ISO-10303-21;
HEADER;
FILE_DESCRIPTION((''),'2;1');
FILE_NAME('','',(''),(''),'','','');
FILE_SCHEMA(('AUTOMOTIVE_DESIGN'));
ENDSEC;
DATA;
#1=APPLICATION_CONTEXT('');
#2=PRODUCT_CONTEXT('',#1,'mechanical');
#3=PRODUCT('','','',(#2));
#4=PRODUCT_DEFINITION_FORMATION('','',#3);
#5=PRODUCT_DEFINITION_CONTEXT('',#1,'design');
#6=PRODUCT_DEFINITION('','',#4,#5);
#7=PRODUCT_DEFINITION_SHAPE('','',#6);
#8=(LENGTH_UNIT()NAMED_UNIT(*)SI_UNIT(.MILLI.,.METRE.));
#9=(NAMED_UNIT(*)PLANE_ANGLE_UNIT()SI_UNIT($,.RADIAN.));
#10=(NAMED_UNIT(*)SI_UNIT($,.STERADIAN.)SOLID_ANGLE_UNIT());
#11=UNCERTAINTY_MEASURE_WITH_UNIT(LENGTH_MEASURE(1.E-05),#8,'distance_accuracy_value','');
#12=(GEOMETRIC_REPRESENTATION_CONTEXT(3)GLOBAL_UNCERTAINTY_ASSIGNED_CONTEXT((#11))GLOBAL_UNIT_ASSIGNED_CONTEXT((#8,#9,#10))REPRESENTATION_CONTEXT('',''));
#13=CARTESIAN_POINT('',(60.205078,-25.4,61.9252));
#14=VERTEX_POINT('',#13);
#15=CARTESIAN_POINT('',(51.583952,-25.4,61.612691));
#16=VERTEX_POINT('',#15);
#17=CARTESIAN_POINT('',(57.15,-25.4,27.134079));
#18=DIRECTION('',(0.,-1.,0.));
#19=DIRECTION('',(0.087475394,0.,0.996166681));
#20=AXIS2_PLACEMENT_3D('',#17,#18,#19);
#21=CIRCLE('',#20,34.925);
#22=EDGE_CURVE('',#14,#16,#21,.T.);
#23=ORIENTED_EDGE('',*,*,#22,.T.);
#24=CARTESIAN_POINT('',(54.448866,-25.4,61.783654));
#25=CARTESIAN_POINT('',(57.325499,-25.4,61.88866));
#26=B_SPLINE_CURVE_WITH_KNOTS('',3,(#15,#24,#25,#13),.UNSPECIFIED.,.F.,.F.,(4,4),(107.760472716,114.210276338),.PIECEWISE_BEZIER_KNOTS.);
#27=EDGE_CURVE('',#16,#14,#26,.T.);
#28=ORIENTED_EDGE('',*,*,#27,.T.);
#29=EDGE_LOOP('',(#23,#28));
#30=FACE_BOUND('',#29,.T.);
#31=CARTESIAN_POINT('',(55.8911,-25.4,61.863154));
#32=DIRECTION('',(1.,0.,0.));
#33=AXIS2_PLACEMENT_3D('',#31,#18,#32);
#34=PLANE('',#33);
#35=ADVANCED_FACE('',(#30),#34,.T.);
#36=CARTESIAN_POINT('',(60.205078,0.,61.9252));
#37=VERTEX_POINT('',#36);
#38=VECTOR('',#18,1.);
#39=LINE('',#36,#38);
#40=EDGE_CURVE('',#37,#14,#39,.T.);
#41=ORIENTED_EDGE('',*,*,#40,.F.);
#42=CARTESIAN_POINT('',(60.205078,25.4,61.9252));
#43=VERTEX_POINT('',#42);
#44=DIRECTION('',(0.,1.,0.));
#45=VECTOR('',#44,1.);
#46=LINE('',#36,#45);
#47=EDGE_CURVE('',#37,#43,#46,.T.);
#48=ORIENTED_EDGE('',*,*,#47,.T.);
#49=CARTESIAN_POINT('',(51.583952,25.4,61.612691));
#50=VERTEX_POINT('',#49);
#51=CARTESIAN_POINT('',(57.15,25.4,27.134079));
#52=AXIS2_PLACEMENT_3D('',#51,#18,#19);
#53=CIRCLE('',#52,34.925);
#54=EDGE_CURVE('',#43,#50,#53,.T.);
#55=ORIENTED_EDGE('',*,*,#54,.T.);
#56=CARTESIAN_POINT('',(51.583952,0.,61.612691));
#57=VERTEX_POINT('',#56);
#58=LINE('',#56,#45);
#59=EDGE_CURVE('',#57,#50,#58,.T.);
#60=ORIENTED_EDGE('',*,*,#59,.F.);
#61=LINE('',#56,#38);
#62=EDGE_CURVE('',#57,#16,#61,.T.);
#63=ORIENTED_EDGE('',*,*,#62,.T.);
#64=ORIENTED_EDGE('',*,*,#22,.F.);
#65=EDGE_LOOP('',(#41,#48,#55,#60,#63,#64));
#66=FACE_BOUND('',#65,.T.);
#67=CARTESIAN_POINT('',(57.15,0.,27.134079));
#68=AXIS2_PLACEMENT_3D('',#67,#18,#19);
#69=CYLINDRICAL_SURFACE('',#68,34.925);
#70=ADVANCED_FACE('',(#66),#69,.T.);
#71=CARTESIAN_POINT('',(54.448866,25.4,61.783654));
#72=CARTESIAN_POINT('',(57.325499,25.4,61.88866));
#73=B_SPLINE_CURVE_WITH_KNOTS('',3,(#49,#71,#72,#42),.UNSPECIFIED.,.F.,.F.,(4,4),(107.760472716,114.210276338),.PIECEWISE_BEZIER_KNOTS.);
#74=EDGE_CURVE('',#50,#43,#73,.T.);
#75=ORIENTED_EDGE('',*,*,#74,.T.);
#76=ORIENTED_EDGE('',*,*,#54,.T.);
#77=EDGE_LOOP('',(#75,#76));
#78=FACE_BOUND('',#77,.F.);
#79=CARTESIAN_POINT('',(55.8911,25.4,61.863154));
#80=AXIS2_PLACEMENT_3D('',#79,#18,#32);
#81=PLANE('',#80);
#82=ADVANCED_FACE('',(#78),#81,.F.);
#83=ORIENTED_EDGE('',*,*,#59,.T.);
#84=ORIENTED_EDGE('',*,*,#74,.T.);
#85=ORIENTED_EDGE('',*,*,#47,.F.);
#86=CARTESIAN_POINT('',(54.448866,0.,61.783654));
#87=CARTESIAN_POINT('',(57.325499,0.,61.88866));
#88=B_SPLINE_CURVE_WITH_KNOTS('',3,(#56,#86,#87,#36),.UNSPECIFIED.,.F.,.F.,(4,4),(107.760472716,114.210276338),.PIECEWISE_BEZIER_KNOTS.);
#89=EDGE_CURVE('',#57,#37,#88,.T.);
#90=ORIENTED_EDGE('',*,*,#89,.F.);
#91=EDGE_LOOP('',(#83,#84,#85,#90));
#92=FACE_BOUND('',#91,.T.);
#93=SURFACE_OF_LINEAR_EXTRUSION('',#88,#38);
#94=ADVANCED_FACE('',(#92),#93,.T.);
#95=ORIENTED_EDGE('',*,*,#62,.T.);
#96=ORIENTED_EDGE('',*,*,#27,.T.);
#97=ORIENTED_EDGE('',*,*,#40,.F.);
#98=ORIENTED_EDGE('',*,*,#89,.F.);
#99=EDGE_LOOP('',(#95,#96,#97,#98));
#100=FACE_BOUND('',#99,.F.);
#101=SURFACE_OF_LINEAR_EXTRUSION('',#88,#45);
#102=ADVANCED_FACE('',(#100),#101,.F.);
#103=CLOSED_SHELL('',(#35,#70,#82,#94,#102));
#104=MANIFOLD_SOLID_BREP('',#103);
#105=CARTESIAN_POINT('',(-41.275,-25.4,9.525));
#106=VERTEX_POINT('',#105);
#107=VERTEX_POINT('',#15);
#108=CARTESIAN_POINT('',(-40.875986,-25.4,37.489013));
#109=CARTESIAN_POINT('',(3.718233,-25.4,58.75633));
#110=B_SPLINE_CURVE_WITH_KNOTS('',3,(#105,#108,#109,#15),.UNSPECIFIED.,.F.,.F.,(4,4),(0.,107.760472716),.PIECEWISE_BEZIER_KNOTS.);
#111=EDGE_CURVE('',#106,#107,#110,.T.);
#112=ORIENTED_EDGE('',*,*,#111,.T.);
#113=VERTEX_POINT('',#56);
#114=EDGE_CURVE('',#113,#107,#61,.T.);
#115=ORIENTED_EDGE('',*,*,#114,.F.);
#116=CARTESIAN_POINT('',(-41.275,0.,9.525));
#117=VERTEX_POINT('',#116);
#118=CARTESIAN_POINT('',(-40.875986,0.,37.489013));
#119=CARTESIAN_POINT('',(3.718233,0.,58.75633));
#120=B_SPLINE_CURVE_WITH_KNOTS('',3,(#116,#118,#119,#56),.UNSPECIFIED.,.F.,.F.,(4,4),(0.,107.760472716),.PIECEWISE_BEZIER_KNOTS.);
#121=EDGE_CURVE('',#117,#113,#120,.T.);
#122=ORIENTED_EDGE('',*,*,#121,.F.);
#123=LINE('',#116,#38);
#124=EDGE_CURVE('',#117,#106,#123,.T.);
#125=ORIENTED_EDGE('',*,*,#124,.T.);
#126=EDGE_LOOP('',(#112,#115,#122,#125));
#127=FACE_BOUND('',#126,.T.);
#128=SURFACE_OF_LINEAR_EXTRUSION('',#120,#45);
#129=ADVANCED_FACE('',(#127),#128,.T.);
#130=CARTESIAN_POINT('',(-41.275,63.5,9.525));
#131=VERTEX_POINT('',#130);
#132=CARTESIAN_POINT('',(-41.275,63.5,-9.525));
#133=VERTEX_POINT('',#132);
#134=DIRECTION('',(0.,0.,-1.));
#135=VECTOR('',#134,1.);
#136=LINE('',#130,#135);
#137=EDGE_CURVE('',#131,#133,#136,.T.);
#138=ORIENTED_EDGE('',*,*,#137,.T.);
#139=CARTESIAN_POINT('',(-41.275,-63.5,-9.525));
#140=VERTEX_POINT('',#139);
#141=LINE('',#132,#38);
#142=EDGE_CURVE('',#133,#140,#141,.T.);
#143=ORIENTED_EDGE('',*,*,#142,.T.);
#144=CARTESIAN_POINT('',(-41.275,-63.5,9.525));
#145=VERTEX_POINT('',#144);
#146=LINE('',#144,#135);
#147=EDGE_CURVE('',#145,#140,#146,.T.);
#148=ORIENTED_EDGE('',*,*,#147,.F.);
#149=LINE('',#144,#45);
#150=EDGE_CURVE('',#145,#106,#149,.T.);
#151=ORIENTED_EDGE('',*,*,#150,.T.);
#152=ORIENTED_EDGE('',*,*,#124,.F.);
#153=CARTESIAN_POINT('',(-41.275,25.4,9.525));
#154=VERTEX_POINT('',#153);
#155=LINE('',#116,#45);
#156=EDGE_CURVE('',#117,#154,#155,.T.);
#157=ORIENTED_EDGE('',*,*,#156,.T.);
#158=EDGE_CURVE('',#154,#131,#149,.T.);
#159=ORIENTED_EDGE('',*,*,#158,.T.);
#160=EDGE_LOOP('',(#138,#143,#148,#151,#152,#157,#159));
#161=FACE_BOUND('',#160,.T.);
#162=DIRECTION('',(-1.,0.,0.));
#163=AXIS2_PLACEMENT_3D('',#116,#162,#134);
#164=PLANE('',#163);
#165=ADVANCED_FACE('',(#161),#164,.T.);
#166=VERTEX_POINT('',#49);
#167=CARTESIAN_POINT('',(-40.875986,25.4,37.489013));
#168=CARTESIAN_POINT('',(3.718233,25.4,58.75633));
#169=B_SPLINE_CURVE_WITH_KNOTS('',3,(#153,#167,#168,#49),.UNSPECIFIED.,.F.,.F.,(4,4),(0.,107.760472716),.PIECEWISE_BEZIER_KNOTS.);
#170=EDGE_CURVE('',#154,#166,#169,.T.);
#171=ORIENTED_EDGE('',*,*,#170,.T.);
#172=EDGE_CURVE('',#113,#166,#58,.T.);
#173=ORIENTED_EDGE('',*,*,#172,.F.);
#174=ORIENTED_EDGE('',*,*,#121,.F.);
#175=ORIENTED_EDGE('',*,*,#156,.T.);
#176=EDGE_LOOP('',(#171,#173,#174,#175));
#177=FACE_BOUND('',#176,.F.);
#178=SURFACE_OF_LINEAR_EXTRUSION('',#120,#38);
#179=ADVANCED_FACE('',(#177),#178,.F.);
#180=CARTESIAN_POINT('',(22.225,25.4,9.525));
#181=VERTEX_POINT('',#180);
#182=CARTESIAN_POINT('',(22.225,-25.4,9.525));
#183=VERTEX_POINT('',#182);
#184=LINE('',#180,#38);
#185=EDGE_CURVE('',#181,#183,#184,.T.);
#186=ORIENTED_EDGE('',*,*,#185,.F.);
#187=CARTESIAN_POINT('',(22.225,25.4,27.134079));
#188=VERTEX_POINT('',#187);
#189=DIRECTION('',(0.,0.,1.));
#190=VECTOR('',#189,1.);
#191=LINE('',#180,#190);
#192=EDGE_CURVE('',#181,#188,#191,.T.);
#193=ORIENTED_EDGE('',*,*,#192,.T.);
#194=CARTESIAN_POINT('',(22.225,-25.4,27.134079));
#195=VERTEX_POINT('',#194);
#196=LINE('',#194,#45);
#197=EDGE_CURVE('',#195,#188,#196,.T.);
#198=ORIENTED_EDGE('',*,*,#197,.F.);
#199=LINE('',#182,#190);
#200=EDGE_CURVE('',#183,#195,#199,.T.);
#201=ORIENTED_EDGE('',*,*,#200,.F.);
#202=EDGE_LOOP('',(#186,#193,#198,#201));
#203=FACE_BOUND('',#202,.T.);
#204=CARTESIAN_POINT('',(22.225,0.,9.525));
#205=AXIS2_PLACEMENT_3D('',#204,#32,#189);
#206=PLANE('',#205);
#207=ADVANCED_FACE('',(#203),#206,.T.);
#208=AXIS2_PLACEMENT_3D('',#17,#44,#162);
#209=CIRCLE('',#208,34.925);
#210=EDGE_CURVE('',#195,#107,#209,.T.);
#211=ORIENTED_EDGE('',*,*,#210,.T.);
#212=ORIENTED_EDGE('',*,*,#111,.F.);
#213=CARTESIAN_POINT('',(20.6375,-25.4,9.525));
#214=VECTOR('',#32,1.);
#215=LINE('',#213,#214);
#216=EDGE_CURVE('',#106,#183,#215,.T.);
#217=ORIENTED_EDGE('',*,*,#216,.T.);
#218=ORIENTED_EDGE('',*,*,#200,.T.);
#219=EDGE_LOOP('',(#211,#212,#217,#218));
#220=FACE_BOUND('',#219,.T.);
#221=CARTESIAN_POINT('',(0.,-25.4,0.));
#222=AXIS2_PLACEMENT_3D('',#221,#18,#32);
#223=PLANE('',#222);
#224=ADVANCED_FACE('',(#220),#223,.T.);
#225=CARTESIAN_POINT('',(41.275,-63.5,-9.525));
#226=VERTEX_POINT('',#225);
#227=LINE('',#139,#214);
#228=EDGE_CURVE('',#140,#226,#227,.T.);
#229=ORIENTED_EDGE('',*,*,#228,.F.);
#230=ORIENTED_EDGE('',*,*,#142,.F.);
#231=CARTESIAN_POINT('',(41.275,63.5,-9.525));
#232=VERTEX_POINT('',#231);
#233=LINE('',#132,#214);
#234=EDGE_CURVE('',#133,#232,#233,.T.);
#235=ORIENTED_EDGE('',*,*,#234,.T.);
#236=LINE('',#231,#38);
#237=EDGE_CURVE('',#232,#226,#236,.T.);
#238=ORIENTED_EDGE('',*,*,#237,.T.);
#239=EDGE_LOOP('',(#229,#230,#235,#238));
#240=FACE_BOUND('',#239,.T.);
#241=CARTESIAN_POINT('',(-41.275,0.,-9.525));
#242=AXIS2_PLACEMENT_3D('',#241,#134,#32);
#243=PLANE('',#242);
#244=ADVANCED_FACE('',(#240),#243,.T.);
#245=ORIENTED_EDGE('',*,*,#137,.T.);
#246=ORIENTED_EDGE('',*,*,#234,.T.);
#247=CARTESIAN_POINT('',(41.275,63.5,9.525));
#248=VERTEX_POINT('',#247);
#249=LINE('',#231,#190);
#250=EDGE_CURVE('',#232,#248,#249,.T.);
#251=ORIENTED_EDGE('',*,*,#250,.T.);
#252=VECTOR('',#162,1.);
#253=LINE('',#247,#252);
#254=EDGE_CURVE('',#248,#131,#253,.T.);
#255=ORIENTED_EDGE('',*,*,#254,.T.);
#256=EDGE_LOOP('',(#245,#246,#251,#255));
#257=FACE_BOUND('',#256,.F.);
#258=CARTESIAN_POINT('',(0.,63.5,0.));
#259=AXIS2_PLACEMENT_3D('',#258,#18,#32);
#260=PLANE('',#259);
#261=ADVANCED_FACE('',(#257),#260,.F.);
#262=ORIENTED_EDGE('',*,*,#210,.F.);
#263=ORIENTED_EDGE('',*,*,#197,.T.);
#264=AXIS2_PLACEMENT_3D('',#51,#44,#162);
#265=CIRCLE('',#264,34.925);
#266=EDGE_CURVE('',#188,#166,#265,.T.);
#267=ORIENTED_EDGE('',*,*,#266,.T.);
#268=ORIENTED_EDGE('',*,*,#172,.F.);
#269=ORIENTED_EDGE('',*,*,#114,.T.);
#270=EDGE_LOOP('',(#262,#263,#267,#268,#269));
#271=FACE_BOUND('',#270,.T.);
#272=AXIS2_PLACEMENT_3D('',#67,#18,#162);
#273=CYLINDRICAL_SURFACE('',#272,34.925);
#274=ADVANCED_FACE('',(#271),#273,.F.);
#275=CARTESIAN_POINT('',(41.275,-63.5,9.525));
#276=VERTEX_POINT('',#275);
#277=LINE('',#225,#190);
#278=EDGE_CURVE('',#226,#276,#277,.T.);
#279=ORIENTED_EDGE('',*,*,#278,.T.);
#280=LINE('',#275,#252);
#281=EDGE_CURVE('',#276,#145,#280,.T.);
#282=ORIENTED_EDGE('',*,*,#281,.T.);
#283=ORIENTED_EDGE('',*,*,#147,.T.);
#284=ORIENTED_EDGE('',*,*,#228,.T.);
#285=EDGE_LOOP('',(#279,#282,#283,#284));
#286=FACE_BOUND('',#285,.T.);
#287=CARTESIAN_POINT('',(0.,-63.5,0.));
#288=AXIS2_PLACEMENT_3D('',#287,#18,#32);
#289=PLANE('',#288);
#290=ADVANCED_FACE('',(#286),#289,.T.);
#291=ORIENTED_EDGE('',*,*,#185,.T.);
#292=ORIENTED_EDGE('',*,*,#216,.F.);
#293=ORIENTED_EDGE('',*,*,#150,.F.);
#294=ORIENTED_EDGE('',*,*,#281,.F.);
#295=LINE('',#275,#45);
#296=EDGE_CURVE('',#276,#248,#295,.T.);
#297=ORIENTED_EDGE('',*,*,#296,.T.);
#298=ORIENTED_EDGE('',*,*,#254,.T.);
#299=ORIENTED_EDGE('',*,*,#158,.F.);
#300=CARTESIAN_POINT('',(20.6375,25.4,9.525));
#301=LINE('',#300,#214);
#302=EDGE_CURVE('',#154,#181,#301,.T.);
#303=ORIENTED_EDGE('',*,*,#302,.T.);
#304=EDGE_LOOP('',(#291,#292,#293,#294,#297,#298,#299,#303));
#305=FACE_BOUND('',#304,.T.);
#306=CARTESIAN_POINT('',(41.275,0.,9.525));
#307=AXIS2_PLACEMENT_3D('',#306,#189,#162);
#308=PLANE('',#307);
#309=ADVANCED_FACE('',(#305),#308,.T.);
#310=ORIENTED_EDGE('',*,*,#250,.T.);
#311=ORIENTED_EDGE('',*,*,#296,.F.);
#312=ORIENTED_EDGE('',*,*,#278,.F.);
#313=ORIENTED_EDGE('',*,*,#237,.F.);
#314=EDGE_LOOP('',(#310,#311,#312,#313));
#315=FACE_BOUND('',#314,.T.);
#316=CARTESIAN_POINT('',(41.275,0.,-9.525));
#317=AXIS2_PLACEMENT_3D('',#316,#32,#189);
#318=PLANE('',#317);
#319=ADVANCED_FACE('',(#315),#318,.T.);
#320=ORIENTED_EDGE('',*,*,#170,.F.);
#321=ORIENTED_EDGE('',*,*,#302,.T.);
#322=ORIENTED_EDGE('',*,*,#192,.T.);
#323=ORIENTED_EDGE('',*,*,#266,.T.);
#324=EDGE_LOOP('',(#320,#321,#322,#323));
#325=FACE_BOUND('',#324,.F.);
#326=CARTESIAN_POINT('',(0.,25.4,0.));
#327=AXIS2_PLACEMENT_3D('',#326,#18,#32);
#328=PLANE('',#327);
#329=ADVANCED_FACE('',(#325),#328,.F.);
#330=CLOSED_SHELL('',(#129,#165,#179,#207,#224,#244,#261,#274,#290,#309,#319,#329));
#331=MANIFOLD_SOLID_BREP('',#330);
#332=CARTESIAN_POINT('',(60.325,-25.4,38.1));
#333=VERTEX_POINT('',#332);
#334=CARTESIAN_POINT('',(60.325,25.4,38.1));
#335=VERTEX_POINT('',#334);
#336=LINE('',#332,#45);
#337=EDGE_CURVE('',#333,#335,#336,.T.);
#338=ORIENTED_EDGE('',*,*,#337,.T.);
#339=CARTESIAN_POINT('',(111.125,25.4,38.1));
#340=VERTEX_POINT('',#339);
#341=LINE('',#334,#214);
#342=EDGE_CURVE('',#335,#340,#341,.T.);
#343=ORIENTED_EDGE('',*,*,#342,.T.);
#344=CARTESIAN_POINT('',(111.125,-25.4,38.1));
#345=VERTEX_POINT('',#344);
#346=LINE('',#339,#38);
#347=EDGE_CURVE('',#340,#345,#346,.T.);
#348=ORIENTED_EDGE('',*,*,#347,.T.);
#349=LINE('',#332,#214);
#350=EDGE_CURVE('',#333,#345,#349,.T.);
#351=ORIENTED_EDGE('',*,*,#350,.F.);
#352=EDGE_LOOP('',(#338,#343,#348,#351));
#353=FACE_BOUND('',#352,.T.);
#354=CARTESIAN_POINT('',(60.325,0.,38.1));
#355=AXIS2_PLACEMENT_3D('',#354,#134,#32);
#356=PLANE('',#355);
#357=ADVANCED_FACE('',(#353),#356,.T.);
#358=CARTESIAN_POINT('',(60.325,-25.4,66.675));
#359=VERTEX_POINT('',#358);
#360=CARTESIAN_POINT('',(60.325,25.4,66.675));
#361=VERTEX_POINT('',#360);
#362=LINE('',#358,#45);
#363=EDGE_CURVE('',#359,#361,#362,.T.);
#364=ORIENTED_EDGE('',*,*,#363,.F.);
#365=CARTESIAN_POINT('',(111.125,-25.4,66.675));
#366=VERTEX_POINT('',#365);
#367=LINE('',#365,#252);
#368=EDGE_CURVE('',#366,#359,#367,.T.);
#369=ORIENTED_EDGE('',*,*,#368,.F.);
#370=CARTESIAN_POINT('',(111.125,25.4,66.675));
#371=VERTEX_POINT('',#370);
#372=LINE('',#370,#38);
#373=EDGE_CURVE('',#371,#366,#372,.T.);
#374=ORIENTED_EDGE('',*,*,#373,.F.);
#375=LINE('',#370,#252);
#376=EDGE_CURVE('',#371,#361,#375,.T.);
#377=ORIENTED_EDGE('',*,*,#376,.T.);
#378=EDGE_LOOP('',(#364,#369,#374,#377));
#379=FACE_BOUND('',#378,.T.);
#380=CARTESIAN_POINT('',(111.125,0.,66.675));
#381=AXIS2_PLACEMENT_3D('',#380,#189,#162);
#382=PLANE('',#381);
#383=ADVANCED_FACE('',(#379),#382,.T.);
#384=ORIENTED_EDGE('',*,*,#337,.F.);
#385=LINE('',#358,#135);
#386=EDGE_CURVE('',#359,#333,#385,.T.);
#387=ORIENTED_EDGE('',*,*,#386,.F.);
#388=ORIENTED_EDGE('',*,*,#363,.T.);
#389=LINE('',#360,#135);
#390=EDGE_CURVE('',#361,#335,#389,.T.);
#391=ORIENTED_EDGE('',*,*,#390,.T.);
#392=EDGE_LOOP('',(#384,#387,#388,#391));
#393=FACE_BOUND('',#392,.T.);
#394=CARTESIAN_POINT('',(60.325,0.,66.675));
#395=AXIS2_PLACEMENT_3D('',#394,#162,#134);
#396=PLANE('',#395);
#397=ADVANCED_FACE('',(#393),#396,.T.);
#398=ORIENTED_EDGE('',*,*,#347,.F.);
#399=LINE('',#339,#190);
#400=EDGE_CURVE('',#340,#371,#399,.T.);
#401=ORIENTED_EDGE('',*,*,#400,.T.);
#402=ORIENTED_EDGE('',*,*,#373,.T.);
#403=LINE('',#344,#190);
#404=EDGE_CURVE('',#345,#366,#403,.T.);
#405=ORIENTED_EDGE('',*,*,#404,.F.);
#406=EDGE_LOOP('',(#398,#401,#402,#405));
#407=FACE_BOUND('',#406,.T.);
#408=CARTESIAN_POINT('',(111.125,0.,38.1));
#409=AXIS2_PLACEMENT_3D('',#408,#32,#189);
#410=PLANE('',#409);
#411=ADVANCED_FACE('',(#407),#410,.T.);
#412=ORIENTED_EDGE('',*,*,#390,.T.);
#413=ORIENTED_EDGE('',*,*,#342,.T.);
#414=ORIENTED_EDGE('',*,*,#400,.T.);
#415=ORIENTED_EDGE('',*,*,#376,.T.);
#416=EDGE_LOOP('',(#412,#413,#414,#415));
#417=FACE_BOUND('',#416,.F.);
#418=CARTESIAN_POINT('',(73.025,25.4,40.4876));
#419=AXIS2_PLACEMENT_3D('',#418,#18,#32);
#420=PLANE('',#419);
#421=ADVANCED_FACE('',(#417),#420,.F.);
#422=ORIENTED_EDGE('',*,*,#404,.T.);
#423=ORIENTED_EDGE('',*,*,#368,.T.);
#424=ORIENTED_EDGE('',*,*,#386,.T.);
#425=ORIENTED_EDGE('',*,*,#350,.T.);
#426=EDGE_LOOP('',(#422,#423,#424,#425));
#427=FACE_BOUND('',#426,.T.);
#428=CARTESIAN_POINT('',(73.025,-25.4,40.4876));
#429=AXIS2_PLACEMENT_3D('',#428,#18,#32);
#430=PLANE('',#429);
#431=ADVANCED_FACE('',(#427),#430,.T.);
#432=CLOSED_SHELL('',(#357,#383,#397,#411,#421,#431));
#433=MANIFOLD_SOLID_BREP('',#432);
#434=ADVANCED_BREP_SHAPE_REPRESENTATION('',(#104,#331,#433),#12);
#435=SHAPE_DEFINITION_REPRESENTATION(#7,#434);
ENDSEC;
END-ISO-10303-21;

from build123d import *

# Parameters (mm, degrees)
F1_DEPTH = 63.5
F2_DEPTH = 25.4
F0_W     = 25.4
F0_H     = 4.7752
F0_H_2   = 4.7498
F0_H_3   = 19.05


with BuildPart() as f1:
    # F0 (on Front) → F1 (new body, symmetric)
    with BuildSketch(Plane.XZ):
        Polygon((-41.275, 9.525), (-41.275, -9.525), (41.275, -9.525), (41.275, 9.525), (22.225, 9.525), align=None)
    extrude(amount=F1_DEPTH, both=True)



with BuildPart() as f2:
    # F0 (on Front) → F2 (new body, symmetric)
    with BuildSketch(Plane.XZ):
        with BuildLine():
            ThreePointArc((60.2050781489, 61.9252), (55.8848287456, 62.0361555078), (51.5839516114, 61.6126913338))
            add(Edge.make_bspline(
                [(51.5839516114, 61.6126913338), (54.448865566, 61.7836535364), (57.3254993367, 61.8886603407), (60.2050781489, 61.9252)],
                knots=[107.760472716, 107.760472716, 107.760472716, 107.760472716, 114.2102763377, 114.2102763377, 114.2102763377, 114.2102763377], degree=3))
        make_face()
    extrude(amount=F2_DEPTH, both=True)


with BuildPart() as f1_1:
    add(f1.part)

    add(f2.part)  # F2#2 merges F2
    # F0 (on Front) → F2, piece 2 (join, symmetric)
    with BuildSketch(Plane.XZ):
        Polygon((-41.275, 9.525), (-41.275, -9.525), (41.275, -9.525), (41.275, 9.525), (22.225, 9.525), align=None)
        with BuildLine():
            add(Edge.make_bspline(
                [(-41.275, 9.525), (-40.8759856478, 37.4890133088), (3.7182334986, 58.7563302966), (51.5839516114, 61.6126913338)],
                knots=[0, 0, 0, 0, 107.760472716, 107.760472716, 107.760472716, 107.760472716], degree=3))
            Line((-41.275, 9.525), (22.225, 9.525))
            Line((22.225, 9.525), (22.225, 27.1340786829))
            ThreePointArc((22.225, 27.1340786829), (30.5591193736, 49.7765320065), (51.5839516114, 61.6126913338))
        make_face()
    extrude(amount=F2_DEPTH, both=True)


with BuildPart() as f2b:
    # F0 (on Front) → F2, piece 3 (new body, symmetric)
    with BuildSketch(Plane.XZ):
        with Locations((73.025, 40.4876)):
            Rectangle(F0_W, F0_H)
        with Locations((73.025, 64.3001)):
            Rectangle(F0_W, F0_H_2)
        Polygon((85.725, 66.675), (85.725, 61.9252), (85.725, 42.8752), (85.725, 38.1), (111.125, 38.1), (111.125, 66.675), align=None)
        with Locations((73.025, 52.4002)):
            Rectangle(F0_W, F0_H_3)
    extrude(amount=F2_DEPTH, both=True)


solid = Compound([f1_1.part, f2b.part])
